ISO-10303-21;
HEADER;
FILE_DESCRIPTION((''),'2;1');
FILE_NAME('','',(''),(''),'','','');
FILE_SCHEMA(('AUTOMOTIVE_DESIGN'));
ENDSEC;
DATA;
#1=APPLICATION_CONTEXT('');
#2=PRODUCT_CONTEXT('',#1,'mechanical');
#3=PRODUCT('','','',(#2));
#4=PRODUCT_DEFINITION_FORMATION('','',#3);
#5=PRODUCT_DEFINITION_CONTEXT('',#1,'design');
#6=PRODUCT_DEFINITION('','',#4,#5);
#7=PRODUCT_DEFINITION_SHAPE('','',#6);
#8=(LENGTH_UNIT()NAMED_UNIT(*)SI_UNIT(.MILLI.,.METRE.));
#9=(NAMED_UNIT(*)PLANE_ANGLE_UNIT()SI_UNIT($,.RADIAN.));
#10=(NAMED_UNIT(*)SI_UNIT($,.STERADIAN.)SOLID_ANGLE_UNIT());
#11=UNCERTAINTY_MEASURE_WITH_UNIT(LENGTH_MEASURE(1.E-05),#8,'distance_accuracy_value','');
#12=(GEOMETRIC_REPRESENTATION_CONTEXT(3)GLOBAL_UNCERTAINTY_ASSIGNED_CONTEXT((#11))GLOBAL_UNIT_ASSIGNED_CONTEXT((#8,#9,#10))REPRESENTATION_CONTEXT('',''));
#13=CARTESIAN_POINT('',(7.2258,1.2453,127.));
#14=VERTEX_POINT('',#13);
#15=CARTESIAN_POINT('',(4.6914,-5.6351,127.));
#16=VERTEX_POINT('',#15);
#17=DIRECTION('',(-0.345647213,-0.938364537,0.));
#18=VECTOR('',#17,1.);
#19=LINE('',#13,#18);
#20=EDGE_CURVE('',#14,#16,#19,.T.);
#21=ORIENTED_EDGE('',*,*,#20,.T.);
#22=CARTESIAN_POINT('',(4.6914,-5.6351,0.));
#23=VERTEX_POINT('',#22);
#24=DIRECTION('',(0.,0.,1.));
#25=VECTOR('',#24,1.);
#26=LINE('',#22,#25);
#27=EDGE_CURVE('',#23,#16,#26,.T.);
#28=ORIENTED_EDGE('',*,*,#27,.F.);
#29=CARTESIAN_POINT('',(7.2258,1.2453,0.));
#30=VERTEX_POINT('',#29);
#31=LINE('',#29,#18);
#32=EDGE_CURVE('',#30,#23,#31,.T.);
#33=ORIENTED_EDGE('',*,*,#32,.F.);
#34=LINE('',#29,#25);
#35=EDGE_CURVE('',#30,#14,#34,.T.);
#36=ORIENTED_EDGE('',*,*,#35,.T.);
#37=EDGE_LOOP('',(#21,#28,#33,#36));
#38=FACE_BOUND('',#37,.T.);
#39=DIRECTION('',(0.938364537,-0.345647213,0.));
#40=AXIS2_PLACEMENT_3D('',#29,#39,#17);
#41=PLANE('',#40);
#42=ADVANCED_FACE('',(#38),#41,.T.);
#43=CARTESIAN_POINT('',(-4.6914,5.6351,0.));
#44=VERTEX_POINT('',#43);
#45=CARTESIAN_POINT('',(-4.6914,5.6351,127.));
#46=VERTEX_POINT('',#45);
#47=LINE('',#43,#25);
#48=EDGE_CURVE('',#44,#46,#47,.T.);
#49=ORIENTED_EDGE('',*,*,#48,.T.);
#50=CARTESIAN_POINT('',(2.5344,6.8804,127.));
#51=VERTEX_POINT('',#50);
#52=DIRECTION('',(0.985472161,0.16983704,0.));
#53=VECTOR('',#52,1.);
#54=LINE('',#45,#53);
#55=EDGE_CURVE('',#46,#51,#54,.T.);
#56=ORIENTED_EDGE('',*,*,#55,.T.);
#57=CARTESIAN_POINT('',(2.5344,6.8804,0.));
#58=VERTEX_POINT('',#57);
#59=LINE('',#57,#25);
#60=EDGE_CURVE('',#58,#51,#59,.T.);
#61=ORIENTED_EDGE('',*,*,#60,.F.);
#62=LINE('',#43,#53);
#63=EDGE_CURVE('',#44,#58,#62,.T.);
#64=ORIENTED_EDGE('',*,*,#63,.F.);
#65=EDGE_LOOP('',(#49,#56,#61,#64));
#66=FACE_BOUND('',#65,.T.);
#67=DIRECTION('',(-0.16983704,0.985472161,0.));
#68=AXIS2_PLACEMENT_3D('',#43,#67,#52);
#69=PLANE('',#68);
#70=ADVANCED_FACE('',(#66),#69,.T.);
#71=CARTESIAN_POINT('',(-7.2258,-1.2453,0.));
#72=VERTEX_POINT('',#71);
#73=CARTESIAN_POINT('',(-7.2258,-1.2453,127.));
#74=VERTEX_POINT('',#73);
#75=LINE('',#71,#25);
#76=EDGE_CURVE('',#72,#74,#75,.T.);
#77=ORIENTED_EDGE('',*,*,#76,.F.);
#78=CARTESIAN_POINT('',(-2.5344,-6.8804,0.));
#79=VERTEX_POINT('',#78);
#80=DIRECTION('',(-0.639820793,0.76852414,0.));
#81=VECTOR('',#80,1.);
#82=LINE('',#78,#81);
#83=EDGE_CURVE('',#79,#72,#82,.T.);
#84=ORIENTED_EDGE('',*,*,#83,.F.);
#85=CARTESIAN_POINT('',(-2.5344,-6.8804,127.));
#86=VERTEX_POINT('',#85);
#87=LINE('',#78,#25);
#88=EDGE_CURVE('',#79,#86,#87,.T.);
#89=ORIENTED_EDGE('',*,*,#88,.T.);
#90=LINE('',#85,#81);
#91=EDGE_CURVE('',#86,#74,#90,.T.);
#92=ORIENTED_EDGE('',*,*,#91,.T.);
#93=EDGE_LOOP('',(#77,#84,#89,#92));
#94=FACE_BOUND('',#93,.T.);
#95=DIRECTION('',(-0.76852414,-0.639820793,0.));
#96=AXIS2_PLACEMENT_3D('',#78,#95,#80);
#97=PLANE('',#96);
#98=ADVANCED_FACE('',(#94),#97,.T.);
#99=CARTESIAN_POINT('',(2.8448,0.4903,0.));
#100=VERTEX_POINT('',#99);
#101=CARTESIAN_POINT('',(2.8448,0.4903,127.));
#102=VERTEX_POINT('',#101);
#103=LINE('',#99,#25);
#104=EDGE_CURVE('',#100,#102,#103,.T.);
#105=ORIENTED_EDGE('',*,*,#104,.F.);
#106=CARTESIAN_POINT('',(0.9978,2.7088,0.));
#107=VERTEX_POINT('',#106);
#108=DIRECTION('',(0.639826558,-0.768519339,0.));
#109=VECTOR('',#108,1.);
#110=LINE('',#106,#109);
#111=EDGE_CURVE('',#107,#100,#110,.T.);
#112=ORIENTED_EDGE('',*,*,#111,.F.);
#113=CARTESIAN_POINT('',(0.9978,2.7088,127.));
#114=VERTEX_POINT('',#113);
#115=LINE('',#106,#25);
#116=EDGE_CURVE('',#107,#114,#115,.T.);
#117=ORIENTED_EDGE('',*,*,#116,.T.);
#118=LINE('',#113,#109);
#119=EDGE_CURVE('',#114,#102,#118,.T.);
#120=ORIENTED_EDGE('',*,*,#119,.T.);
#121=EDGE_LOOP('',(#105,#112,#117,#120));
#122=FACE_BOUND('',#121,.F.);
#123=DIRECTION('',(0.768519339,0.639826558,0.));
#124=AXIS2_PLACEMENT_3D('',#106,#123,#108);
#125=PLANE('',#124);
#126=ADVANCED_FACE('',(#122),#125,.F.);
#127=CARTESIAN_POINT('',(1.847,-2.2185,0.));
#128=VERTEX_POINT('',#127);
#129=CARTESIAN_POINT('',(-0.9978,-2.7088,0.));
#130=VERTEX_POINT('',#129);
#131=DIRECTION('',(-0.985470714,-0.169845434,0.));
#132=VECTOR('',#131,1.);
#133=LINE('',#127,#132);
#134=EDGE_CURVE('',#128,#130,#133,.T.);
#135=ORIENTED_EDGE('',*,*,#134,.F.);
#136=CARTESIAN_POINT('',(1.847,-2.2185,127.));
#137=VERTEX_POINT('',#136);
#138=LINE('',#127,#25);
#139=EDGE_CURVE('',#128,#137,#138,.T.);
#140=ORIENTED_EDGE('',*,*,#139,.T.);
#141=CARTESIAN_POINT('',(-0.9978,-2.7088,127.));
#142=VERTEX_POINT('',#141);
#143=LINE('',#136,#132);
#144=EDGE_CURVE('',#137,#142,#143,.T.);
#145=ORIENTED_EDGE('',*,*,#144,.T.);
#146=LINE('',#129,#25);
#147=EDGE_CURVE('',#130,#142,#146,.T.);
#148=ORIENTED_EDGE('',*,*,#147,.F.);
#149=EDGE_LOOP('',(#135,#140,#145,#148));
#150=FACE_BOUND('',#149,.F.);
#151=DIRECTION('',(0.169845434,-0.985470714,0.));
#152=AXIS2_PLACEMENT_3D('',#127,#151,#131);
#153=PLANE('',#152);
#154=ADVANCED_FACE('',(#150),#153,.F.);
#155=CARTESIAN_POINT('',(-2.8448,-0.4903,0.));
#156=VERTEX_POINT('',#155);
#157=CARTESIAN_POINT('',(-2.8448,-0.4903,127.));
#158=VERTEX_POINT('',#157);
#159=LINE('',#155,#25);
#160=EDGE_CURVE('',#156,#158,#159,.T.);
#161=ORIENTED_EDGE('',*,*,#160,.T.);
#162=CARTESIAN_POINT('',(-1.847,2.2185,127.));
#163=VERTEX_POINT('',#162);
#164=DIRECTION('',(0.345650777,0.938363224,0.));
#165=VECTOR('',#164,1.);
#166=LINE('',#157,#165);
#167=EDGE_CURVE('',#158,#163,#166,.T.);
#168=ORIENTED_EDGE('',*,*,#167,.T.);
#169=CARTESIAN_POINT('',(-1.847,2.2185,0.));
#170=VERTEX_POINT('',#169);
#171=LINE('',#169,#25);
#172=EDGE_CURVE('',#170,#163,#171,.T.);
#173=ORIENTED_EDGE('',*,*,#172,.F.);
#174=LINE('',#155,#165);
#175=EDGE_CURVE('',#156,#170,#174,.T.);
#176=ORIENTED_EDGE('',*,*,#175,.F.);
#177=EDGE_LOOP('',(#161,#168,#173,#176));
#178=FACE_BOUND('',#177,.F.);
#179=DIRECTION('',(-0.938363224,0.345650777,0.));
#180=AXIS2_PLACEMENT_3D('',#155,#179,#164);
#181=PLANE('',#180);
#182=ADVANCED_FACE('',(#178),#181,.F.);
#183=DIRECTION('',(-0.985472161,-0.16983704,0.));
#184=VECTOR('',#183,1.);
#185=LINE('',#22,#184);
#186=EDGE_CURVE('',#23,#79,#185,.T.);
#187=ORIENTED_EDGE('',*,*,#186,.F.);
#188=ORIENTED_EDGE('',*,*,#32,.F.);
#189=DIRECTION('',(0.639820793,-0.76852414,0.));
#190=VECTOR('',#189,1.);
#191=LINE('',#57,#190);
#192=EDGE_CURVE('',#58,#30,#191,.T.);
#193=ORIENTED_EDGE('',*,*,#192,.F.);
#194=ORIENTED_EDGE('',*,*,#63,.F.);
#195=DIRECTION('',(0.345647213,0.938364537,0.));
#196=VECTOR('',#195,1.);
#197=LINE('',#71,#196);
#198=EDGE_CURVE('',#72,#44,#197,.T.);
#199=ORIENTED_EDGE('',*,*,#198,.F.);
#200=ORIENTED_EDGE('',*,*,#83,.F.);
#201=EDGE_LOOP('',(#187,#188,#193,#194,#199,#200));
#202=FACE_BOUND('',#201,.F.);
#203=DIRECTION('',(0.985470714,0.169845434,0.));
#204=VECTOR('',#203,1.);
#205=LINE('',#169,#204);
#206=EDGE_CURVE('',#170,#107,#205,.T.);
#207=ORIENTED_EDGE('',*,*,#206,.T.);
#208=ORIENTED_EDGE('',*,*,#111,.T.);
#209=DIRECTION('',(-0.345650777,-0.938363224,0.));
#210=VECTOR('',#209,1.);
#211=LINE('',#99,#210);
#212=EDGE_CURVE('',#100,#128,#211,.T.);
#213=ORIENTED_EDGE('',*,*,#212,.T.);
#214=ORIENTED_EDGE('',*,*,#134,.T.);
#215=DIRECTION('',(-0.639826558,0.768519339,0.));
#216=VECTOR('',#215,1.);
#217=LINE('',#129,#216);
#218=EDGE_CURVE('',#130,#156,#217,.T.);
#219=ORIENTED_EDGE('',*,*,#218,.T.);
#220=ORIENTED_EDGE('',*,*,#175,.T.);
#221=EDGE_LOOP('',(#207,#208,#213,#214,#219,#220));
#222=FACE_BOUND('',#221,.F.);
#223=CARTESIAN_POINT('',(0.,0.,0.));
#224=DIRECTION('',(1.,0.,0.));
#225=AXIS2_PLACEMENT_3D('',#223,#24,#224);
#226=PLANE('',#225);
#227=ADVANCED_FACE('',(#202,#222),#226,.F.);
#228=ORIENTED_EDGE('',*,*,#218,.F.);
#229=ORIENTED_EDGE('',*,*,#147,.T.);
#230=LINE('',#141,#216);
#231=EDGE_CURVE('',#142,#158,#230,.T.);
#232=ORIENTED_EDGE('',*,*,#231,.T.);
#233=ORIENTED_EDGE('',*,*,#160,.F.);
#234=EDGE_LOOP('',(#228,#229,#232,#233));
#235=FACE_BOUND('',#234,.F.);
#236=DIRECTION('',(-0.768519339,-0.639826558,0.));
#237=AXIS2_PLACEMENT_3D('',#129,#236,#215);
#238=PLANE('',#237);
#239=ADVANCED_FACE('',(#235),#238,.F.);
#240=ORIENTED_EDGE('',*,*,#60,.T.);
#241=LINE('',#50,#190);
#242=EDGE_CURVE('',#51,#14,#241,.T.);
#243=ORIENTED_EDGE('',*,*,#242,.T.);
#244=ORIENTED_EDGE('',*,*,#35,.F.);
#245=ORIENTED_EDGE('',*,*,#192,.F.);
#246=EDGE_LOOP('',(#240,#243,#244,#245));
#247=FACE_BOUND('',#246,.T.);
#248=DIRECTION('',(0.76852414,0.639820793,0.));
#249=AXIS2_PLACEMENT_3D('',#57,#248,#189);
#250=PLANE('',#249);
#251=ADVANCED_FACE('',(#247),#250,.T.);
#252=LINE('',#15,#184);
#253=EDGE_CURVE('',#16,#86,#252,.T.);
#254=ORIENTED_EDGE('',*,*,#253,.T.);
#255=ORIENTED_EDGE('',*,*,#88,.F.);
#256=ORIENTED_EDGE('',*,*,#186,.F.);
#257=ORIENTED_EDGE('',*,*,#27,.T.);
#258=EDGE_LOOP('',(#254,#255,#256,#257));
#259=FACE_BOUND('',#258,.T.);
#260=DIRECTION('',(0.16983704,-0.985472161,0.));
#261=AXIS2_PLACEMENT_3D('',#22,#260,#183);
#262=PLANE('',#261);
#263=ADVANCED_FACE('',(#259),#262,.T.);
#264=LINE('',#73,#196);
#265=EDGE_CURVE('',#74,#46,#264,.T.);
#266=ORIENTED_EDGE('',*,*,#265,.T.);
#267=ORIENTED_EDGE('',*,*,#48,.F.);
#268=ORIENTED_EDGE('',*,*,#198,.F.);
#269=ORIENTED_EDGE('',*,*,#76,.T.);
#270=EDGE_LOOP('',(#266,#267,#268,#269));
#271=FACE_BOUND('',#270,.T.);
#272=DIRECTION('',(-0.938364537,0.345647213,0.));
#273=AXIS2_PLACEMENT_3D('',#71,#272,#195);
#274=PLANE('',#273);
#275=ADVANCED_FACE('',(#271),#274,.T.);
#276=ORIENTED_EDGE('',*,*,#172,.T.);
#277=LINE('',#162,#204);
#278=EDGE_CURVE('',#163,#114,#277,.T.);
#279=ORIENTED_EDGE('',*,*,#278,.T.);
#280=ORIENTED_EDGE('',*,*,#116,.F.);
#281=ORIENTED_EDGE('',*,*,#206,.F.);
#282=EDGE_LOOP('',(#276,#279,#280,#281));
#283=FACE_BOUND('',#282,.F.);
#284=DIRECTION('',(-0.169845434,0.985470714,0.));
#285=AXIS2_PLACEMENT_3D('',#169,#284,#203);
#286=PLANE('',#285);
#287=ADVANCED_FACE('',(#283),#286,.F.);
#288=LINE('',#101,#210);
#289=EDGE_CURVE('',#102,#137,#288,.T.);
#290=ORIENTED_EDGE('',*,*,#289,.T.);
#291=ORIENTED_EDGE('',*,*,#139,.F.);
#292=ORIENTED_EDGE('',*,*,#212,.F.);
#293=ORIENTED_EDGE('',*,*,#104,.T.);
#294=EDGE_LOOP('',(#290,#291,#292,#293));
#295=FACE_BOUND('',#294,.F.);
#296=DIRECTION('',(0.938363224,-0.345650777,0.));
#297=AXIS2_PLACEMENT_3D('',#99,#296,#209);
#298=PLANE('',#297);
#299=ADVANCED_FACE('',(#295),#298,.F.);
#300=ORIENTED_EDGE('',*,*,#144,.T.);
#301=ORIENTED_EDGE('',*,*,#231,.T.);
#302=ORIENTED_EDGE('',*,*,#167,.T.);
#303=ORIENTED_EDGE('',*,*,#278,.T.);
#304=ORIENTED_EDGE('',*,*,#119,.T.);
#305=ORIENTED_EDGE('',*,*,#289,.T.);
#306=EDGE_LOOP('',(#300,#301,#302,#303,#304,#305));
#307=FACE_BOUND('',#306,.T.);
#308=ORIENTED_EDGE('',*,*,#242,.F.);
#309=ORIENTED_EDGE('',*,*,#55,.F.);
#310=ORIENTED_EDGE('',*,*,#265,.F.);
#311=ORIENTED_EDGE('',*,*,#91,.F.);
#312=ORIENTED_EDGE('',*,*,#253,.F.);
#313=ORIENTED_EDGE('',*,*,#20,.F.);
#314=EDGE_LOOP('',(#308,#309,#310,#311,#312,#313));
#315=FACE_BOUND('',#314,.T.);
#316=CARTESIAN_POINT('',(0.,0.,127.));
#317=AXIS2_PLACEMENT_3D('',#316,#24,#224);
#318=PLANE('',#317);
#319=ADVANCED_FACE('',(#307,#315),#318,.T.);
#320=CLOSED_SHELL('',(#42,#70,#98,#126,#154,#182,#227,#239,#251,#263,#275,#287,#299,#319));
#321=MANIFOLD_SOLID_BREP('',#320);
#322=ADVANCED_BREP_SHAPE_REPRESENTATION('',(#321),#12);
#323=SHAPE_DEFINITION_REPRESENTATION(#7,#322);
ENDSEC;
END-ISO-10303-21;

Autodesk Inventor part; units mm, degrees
ref_plane "YZ Plane" through (0, 0, 0) normal (1, 0, 0) x (0, 1, 0)
ref_plane "XZ Plane" through (0, 0, 0) normal (0, 1, 0) x (-1, 0, 0)
ref_plane "XY Plane" through (0, 0, 0) normal (0, 0, 1) x (1, 0, 0)
sketch "Sketch1" plane through (0, 0, 0) normal (0, 0, 1) x (1, 0, 0)
  line L0 (2.5344, 6.8804) -> (7.2258, 1.2453)
  line L1 (7.2258, 1.2453) -> (4.6914, -5.6351)
  line L2 (4.6914, -5.6351) -> (-2.5344, -6.8804)
  line L3 (-2.5344, -6.8804) -> (-7.2258, -1.2453)
  line L4 (-7.2258, -1.2453) -> (-4.6914, 5.6351)
  line L5 (-4.6914, 5.6351) -> (2.5344, 6.8804)
  line L6 (-1.847, 2.2185) -> (0.9978, 2.7088)
  line L7 (0.9978, 2.7088) -> (2.8448, 0.4903)
  line L8 (2.8448, 0.4903) -> (1.847, -2.2185)
  line L9 (1.847, -2.2185) -> (-0.9978, -2.7088)
  line L10 (-0.9978, -2.7088) -> (-2.8448, -0.4903)
  line L11 (-2.8448, -0.4903) -> (-1.847, 2.2185)
  point P0 (0, 0)
  point P1 (0, 0)
  point P2 (0, 0)
  dimension "d0" = 12.7
  dimension "d1" = 5
extrude "Extrusion1" add sketch "Sketch1" along normal blind 127
properties part number "cross beam"
